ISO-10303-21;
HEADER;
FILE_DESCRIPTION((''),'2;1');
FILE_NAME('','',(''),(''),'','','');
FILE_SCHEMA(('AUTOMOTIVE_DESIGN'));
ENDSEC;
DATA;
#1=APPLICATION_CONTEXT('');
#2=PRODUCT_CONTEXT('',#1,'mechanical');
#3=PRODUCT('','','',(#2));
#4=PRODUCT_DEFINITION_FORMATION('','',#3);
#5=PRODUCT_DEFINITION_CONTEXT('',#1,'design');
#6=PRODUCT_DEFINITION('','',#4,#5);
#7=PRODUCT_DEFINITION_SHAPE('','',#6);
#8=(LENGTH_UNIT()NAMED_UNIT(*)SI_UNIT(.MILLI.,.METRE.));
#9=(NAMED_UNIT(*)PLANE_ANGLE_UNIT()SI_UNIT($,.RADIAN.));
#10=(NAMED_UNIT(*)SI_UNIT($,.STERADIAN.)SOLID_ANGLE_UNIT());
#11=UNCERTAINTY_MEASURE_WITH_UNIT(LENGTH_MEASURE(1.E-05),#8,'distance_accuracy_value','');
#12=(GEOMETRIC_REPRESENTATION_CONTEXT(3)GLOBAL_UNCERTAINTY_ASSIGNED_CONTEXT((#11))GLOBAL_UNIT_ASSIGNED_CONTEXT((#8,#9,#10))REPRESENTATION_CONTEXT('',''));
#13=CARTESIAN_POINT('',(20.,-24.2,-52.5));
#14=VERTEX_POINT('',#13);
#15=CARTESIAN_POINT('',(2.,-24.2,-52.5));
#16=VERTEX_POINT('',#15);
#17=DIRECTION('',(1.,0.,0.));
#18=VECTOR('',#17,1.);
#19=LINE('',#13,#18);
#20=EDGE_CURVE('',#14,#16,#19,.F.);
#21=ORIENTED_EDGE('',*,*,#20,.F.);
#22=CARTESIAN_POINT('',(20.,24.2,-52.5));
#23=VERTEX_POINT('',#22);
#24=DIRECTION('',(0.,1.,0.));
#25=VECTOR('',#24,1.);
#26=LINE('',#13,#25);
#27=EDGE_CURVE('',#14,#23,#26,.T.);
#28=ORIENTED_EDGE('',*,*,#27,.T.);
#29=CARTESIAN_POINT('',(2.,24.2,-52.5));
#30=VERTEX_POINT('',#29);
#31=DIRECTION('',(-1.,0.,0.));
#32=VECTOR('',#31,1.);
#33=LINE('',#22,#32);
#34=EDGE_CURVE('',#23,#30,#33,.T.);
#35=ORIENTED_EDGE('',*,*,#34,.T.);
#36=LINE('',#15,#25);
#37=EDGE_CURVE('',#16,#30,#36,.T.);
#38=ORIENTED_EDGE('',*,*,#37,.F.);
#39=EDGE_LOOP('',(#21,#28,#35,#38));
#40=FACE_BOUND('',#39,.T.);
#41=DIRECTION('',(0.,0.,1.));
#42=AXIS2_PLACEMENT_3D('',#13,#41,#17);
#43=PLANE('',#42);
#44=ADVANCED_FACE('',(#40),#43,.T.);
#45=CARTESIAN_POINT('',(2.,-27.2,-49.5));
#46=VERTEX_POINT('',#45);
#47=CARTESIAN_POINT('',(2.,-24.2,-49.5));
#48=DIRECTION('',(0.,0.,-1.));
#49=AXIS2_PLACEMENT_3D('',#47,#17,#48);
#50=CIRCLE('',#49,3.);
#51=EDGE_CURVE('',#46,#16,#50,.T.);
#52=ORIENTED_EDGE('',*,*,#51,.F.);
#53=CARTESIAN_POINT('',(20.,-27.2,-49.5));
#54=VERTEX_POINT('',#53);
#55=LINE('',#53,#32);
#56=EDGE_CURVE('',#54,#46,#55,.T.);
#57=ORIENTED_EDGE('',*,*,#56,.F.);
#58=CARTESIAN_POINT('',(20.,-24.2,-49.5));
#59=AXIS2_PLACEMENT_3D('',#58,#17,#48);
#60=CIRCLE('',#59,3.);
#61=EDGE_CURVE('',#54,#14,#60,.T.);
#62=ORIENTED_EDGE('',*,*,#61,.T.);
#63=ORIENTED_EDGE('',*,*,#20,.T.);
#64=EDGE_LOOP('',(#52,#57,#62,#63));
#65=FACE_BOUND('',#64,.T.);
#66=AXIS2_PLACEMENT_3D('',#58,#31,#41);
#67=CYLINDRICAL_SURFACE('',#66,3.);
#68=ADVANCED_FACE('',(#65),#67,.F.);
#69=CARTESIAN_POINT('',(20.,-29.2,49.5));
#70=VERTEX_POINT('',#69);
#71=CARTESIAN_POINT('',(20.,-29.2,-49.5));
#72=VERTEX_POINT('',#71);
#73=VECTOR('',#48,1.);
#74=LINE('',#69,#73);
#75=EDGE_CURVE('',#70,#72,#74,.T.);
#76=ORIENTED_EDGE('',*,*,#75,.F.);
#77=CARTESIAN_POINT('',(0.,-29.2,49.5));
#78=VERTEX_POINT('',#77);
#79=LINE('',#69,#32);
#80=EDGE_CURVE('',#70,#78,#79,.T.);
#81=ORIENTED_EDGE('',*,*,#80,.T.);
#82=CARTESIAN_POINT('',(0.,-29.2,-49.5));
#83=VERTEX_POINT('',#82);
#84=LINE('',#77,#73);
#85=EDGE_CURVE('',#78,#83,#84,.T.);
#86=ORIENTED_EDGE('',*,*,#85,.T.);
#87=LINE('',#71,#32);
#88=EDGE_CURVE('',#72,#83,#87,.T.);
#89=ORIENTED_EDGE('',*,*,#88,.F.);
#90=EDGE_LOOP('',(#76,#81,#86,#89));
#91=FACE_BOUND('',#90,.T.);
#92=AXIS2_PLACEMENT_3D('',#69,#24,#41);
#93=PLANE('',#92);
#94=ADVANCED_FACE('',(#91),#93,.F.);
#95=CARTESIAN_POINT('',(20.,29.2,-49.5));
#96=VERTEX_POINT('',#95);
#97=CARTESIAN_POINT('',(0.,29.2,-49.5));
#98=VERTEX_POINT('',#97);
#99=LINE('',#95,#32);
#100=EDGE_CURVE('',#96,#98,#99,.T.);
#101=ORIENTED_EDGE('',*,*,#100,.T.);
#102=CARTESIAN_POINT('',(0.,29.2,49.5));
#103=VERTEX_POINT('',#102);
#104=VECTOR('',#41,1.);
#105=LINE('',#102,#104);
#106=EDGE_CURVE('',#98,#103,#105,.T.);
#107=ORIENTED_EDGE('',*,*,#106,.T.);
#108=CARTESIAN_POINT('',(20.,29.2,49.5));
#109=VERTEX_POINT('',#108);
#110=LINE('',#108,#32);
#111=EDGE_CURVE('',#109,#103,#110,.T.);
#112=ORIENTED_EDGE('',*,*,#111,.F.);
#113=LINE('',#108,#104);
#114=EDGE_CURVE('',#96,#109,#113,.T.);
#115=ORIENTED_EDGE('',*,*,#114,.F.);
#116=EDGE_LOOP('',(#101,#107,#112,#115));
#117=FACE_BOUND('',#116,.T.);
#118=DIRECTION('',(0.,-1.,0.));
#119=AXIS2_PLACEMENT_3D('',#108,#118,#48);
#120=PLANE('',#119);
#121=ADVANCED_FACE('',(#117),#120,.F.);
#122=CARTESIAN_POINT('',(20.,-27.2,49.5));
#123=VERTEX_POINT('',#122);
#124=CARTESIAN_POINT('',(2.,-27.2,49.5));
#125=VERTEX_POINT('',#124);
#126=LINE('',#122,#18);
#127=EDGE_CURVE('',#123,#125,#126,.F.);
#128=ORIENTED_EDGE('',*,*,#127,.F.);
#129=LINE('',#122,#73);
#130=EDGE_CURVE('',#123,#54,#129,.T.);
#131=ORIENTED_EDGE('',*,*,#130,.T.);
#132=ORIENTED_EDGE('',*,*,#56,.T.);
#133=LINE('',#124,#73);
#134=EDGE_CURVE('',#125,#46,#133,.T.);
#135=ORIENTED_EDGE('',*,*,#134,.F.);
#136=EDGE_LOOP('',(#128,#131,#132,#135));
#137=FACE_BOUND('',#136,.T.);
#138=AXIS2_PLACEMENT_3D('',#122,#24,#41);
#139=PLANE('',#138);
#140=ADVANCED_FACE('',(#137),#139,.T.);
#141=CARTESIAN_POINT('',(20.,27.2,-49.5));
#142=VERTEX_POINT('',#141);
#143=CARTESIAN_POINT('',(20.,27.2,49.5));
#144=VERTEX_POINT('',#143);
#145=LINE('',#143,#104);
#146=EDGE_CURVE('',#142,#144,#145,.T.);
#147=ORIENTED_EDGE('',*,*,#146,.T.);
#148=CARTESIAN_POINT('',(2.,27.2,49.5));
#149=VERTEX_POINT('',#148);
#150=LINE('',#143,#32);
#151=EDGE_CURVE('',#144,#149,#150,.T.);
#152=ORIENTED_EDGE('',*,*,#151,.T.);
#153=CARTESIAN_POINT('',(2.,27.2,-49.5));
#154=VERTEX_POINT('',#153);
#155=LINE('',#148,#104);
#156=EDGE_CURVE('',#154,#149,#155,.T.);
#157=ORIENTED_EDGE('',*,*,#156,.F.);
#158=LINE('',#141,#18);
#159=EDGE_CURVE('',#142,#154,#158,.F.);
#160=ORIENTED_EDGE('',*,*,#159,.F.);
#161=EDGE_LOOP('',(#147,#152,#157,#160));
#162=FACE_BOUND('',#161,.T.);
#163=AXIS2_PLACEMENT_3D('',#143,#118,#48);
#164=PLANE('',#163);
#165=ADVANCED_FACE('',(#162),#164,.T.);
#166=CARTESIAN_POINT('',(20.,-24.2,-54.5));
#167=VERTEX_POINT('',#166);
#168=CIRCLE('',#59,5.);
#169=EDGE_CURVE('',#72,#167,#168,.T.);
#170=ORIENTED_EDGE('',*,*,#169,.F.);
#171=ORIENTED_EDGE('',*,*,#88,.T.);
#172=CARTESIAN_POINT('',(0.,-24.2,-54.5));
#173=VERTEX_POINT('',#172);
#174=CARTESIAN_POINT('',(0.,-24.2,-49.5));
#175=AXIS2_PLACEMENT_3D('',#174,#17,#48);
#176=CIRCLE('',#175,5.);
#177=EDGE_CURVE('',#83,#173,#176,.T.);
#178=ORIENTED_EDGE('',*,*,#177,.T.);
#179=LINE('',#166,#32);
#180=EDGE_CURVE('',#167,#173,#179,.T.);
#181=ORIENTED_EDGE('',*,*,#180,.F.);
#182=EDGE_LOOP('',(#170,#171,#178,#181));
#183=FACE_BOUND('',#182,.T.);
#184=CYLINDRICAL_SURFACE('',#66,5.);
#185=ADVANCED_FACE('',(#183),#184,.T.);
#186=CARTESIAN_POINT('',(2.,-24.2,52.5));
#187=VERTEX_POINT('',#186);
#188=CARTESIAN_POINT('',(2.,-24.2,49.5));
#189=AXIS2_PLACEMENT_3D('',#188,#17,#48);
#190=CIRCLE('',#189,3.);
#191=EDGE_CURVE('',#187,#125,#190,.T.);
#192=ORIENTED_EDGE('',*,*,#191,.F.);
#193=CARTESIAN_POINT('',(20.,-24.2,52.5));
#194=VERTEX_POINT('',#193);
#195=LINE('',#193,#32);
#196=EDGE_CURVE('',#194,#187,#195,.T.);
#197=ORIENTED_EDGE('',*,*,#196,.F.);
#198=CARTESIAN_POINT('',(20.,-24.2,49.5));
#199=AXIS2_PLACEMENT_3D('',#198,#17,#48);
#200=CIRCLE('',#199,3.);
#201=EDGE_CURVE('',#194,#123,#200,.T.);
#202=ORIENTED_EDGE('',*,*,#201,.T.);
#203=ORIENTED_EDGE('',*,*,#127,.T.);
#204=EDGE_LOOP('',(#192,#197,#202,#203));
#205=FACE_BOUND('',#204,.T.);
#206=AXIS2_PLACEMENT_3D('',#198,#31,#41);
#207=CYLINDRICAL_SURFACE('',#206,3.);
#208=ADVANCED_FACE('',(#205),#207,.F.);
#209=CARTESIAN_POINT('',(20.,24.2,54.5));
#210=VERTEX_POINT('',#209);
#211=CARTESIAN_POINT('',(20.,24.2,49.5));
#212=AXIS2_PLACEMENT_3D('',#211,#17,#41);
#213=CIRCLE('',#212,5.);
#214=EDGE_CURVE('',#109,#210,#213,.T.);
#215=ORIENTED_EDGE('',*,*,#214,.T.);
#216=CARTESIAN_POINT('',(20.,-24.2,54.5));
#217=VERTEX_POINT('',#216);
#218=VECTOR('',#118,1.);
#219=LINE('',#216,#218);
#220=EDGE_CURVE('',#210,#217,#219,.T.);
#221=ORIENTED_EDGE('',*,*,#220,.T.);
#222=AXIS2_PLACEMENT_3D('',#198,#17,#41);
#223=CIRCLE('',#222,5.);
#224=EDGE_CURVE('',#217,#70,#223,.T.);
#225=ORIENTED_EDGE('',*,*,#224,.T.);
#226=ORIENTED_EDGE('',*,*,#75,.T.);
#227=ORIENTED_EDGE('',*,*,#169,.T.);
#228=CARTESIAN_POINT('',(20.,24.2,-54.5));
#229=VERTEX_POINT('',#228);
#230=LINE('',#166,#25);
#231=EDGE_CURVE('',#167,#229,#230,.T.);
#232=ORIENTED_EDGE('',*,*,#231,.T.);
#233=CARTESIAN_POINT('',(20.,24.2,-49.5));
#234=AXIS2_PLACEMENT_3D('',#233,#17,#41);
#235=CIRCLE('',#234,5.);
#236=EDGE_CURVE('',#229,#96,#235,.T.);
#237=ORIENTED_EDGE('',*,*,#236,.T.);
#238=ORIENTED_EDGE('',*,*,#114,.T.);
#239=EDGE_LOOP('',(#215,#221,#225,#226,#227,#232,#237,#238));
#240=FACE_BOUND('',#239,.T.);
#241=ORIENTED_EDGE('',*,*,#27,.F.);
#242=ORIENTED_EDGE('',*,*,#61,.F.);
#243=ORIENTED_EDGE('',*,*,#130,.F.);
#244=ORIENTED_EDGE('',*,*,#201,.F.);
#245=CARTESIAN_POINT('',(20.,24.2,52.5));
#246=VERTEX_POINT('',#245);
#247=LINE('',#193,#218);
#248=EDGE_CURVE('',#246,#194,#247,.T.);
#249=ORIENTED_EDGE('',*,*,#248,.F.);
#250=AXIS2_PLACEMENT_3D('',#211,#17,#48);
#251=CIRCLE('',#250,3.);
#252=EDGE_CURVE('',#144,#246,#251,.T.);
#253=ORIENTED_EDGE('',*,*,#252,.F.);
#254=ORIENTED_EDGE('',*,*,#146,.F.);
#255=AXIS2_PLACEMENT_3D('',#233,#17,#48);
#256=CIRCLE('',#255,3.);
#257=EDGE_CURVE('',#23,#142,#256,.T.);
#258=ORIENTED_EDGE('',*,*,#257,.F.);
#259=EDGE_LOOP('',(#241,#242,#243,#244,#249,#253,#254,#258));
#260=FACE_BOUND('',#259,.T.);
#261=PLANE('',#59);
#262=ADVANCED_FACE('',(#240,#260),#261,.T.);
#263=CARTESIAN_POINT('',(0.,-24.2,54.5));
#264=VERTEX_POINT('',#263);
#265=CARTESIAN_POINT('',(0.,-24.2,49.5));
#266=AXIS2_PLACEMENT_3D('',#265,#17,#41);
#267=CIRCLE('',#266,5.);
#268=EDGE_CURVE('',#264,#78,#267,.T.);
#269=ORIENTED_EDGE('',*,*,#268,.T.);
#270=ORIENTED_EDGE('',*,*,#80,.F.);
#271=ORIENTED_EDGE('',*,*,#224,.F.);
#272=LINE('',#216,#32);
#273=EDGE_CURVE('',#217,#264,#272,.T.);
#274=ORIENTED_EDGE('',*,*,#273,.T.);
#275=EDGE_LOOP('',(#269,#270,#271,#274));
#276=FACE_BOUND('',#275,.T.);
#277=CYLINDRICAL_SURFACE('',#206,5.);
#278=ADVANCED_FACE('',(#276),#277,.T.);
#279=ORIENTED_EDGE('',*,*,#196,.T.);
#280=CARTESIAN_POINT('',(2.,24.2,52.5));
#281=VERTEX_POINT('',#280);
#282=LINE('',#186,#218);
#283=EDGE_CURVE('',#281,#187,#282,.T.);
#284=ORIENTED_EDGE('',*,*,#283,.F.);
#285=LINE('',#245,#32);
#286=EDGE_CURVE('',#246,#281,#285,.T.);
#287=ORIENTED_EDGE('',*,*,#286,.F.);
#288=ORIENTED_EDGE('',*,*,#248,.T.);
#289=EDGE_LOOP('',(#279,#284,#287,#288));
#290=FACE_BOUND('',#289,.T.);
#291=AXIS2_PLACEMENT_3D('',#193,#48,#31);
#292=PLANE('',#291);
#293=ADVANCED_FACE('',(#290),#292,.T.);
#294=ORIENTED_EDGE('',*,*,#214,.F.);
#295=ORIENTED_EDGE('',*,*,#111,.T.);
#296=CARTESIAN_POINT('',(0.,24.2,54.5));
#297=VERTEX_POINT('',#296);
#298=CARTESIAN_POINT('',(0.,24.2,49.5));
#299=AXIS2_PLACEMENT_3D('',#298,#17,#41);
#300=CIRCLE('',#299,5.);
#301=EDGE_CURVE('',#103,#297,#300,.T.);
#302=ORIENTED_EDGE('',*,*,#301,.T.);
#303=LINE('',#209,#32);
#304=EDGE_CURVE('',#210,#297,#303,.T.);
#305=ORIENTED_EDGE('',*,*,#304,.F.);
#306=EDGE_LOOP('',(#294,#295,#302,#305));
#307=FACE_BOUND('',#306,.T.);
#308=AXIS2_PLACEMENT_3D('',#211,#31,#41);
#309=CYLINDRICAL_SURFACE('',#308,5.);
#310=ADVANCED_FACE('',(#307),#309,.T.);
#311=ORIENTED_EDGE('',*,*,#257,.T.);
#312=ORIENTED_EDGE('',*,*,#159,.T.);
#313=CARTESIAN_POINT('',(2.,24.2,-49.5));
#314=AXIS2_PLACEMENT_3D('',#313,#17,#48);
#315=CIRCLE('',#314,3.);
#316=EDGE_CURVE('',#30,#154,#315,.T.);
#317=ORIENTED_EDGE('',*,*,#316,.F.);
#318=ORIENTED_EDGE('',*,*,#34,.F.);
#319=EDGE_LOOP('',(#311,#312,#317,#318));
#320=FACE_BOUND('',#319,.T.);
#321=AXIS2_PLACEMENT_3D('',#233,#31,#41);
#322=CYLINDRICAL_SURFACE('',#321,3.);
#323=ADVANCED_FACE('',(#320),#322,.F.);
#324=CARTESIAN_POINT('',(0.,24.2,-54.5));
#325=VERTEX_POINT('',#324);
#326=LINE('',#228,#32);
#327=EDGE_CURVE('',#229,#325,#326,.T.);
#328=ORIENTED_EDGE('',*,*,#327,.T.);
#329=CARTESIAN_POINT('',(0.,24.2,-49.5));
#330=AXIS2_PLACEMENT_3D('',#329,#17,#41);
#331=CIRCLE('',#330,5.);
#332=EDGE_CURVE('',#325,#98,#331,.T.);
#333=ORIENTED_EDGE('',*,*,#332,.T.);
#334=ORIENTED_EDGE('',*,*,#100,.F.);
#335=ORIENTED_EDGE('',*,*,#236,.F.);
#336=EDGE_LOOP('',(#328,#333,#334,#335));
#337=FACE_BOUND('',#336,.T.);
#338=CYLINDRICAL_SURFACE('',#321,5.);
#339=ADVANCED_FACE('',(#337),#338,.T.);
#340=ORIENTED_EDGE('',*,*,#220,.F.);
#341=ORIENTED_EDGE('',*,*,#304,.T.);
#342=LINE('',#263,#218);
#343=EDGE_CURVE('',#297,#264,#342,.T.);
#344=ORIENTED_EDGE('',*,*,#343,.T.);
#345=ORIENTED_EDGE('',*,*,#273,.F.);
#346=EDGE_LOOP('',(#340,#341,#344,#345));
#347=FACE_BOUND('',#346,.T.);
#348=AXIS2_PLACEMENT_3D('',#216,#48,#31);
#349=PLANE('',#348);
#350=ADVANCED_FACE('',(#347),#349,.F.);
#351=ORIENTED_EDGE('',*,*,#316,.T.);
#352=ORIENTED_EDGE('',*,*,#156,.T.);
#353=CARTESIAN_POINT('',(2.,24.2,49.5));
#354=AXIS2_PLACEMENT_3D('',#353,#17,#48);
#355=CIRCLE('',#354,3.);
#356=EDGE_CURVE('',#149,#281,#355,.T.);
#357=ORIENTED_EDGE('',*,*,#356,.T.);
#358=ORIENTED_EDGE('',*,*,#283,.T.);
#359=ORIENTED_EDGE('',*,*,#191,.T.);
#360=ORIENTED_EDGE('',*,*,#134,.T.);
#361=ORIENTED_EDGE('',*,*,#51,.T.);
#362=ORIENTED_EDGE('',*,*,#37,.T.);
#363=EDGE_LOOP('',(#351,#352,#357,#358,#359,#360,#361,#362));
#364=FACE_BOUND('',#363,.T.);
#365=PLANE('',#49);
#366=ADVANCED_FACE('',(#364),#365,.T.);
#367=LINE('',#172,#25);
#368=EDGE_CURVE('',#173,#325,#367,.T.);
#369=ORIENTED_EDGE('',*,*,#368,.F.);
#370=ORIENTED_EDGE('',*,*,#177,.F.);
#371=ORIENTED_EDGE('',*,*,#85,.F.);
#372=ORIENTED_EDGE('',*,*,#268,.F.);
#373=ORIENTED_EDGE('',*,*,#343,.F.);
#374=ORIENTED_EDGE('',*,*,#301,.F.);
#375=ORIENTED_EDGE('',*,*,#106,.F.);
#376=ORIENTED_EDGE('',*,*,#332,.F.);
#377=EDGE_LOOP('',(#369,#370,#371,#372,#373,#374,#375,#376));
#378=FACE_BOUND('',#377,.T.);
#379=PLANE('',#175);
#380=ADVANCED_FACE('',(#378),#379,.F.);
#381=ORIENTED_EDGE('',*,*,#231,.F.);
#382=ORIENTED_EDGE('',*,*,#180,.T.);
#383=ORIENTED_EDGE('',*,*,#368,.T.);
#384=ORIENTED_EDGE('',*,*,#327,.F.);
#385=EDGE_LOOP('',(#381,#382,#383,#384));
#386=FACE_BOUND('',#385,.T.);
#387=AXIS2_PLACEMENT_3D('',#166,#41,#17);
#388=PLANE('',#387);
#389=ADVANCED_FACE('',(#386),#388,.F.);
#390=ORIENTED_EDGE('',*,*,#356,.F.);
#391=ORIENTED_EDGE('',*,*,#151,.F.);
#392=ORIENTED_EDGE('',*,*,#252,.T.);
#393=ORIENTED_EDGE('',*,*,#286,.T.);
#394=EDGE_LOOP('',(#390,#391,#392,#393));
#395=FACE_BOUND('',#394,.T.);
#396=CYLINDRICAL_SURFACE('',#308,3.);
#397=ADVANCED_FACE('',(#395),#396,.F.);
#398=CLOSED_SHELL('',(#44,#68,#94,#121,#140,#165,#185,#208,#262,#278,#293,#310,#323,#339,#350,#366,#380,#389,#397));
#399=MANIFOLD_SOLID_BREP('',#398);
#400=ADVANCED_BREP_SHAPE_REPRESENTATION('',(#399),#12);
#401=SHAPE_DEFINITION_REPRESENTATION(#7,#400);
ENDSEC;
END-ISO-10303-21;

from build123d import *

# Parameters (mm, degrees)
BOSS_EXTRUDE1_DEPTH = 20
SHELL1_T            = -2


with BuildPart() as part:
    # Sketch1 → Boss-Extrude1 (new body)
    with BuildSketch(Plane(origin=(0, 0, 0), x_dir=(0, 0, -1), z_dir=(1, 0, 0))):
        with BuildLine():
            Line((-49.5, -29.2), (49.5, -29.2))
            ThreePointArc((49.5, -29.2), (53.035533906, -27.735533906), (54.5, -24.2))
            Line((54.5, -24.2), (54.5, 24.2))
            ThreePointArc((54.5, 24.2), (53.035533906, 27.735533906), (49.5, 29.2))
            Line((49.5, 29.2), (-49.5, 29.2))
            ThreePointArc((-49.5, 29.2), (-53.035533906, 27.735533906), (-54.5, 24.2))
            Line((-54.5, 24.2), (-54.5, -24.2))
            ThreePointArc((-54.5, -24.2), (-53.035533906, -27.735533906), (-49.5, -29.2))
        make_face()
    extrude(amount=BOSS_EXTRUDE1_DEPTH)

    # Shell1
    shell1_openings = [part.faces().sort_by_distance(p)[0] for p in [
        (20, 0, 0),
    ]]
    offset(amount=SHELL1_T, openings=shell1_openings, kind=Kind.INTERSECTION)


solid = part.part
